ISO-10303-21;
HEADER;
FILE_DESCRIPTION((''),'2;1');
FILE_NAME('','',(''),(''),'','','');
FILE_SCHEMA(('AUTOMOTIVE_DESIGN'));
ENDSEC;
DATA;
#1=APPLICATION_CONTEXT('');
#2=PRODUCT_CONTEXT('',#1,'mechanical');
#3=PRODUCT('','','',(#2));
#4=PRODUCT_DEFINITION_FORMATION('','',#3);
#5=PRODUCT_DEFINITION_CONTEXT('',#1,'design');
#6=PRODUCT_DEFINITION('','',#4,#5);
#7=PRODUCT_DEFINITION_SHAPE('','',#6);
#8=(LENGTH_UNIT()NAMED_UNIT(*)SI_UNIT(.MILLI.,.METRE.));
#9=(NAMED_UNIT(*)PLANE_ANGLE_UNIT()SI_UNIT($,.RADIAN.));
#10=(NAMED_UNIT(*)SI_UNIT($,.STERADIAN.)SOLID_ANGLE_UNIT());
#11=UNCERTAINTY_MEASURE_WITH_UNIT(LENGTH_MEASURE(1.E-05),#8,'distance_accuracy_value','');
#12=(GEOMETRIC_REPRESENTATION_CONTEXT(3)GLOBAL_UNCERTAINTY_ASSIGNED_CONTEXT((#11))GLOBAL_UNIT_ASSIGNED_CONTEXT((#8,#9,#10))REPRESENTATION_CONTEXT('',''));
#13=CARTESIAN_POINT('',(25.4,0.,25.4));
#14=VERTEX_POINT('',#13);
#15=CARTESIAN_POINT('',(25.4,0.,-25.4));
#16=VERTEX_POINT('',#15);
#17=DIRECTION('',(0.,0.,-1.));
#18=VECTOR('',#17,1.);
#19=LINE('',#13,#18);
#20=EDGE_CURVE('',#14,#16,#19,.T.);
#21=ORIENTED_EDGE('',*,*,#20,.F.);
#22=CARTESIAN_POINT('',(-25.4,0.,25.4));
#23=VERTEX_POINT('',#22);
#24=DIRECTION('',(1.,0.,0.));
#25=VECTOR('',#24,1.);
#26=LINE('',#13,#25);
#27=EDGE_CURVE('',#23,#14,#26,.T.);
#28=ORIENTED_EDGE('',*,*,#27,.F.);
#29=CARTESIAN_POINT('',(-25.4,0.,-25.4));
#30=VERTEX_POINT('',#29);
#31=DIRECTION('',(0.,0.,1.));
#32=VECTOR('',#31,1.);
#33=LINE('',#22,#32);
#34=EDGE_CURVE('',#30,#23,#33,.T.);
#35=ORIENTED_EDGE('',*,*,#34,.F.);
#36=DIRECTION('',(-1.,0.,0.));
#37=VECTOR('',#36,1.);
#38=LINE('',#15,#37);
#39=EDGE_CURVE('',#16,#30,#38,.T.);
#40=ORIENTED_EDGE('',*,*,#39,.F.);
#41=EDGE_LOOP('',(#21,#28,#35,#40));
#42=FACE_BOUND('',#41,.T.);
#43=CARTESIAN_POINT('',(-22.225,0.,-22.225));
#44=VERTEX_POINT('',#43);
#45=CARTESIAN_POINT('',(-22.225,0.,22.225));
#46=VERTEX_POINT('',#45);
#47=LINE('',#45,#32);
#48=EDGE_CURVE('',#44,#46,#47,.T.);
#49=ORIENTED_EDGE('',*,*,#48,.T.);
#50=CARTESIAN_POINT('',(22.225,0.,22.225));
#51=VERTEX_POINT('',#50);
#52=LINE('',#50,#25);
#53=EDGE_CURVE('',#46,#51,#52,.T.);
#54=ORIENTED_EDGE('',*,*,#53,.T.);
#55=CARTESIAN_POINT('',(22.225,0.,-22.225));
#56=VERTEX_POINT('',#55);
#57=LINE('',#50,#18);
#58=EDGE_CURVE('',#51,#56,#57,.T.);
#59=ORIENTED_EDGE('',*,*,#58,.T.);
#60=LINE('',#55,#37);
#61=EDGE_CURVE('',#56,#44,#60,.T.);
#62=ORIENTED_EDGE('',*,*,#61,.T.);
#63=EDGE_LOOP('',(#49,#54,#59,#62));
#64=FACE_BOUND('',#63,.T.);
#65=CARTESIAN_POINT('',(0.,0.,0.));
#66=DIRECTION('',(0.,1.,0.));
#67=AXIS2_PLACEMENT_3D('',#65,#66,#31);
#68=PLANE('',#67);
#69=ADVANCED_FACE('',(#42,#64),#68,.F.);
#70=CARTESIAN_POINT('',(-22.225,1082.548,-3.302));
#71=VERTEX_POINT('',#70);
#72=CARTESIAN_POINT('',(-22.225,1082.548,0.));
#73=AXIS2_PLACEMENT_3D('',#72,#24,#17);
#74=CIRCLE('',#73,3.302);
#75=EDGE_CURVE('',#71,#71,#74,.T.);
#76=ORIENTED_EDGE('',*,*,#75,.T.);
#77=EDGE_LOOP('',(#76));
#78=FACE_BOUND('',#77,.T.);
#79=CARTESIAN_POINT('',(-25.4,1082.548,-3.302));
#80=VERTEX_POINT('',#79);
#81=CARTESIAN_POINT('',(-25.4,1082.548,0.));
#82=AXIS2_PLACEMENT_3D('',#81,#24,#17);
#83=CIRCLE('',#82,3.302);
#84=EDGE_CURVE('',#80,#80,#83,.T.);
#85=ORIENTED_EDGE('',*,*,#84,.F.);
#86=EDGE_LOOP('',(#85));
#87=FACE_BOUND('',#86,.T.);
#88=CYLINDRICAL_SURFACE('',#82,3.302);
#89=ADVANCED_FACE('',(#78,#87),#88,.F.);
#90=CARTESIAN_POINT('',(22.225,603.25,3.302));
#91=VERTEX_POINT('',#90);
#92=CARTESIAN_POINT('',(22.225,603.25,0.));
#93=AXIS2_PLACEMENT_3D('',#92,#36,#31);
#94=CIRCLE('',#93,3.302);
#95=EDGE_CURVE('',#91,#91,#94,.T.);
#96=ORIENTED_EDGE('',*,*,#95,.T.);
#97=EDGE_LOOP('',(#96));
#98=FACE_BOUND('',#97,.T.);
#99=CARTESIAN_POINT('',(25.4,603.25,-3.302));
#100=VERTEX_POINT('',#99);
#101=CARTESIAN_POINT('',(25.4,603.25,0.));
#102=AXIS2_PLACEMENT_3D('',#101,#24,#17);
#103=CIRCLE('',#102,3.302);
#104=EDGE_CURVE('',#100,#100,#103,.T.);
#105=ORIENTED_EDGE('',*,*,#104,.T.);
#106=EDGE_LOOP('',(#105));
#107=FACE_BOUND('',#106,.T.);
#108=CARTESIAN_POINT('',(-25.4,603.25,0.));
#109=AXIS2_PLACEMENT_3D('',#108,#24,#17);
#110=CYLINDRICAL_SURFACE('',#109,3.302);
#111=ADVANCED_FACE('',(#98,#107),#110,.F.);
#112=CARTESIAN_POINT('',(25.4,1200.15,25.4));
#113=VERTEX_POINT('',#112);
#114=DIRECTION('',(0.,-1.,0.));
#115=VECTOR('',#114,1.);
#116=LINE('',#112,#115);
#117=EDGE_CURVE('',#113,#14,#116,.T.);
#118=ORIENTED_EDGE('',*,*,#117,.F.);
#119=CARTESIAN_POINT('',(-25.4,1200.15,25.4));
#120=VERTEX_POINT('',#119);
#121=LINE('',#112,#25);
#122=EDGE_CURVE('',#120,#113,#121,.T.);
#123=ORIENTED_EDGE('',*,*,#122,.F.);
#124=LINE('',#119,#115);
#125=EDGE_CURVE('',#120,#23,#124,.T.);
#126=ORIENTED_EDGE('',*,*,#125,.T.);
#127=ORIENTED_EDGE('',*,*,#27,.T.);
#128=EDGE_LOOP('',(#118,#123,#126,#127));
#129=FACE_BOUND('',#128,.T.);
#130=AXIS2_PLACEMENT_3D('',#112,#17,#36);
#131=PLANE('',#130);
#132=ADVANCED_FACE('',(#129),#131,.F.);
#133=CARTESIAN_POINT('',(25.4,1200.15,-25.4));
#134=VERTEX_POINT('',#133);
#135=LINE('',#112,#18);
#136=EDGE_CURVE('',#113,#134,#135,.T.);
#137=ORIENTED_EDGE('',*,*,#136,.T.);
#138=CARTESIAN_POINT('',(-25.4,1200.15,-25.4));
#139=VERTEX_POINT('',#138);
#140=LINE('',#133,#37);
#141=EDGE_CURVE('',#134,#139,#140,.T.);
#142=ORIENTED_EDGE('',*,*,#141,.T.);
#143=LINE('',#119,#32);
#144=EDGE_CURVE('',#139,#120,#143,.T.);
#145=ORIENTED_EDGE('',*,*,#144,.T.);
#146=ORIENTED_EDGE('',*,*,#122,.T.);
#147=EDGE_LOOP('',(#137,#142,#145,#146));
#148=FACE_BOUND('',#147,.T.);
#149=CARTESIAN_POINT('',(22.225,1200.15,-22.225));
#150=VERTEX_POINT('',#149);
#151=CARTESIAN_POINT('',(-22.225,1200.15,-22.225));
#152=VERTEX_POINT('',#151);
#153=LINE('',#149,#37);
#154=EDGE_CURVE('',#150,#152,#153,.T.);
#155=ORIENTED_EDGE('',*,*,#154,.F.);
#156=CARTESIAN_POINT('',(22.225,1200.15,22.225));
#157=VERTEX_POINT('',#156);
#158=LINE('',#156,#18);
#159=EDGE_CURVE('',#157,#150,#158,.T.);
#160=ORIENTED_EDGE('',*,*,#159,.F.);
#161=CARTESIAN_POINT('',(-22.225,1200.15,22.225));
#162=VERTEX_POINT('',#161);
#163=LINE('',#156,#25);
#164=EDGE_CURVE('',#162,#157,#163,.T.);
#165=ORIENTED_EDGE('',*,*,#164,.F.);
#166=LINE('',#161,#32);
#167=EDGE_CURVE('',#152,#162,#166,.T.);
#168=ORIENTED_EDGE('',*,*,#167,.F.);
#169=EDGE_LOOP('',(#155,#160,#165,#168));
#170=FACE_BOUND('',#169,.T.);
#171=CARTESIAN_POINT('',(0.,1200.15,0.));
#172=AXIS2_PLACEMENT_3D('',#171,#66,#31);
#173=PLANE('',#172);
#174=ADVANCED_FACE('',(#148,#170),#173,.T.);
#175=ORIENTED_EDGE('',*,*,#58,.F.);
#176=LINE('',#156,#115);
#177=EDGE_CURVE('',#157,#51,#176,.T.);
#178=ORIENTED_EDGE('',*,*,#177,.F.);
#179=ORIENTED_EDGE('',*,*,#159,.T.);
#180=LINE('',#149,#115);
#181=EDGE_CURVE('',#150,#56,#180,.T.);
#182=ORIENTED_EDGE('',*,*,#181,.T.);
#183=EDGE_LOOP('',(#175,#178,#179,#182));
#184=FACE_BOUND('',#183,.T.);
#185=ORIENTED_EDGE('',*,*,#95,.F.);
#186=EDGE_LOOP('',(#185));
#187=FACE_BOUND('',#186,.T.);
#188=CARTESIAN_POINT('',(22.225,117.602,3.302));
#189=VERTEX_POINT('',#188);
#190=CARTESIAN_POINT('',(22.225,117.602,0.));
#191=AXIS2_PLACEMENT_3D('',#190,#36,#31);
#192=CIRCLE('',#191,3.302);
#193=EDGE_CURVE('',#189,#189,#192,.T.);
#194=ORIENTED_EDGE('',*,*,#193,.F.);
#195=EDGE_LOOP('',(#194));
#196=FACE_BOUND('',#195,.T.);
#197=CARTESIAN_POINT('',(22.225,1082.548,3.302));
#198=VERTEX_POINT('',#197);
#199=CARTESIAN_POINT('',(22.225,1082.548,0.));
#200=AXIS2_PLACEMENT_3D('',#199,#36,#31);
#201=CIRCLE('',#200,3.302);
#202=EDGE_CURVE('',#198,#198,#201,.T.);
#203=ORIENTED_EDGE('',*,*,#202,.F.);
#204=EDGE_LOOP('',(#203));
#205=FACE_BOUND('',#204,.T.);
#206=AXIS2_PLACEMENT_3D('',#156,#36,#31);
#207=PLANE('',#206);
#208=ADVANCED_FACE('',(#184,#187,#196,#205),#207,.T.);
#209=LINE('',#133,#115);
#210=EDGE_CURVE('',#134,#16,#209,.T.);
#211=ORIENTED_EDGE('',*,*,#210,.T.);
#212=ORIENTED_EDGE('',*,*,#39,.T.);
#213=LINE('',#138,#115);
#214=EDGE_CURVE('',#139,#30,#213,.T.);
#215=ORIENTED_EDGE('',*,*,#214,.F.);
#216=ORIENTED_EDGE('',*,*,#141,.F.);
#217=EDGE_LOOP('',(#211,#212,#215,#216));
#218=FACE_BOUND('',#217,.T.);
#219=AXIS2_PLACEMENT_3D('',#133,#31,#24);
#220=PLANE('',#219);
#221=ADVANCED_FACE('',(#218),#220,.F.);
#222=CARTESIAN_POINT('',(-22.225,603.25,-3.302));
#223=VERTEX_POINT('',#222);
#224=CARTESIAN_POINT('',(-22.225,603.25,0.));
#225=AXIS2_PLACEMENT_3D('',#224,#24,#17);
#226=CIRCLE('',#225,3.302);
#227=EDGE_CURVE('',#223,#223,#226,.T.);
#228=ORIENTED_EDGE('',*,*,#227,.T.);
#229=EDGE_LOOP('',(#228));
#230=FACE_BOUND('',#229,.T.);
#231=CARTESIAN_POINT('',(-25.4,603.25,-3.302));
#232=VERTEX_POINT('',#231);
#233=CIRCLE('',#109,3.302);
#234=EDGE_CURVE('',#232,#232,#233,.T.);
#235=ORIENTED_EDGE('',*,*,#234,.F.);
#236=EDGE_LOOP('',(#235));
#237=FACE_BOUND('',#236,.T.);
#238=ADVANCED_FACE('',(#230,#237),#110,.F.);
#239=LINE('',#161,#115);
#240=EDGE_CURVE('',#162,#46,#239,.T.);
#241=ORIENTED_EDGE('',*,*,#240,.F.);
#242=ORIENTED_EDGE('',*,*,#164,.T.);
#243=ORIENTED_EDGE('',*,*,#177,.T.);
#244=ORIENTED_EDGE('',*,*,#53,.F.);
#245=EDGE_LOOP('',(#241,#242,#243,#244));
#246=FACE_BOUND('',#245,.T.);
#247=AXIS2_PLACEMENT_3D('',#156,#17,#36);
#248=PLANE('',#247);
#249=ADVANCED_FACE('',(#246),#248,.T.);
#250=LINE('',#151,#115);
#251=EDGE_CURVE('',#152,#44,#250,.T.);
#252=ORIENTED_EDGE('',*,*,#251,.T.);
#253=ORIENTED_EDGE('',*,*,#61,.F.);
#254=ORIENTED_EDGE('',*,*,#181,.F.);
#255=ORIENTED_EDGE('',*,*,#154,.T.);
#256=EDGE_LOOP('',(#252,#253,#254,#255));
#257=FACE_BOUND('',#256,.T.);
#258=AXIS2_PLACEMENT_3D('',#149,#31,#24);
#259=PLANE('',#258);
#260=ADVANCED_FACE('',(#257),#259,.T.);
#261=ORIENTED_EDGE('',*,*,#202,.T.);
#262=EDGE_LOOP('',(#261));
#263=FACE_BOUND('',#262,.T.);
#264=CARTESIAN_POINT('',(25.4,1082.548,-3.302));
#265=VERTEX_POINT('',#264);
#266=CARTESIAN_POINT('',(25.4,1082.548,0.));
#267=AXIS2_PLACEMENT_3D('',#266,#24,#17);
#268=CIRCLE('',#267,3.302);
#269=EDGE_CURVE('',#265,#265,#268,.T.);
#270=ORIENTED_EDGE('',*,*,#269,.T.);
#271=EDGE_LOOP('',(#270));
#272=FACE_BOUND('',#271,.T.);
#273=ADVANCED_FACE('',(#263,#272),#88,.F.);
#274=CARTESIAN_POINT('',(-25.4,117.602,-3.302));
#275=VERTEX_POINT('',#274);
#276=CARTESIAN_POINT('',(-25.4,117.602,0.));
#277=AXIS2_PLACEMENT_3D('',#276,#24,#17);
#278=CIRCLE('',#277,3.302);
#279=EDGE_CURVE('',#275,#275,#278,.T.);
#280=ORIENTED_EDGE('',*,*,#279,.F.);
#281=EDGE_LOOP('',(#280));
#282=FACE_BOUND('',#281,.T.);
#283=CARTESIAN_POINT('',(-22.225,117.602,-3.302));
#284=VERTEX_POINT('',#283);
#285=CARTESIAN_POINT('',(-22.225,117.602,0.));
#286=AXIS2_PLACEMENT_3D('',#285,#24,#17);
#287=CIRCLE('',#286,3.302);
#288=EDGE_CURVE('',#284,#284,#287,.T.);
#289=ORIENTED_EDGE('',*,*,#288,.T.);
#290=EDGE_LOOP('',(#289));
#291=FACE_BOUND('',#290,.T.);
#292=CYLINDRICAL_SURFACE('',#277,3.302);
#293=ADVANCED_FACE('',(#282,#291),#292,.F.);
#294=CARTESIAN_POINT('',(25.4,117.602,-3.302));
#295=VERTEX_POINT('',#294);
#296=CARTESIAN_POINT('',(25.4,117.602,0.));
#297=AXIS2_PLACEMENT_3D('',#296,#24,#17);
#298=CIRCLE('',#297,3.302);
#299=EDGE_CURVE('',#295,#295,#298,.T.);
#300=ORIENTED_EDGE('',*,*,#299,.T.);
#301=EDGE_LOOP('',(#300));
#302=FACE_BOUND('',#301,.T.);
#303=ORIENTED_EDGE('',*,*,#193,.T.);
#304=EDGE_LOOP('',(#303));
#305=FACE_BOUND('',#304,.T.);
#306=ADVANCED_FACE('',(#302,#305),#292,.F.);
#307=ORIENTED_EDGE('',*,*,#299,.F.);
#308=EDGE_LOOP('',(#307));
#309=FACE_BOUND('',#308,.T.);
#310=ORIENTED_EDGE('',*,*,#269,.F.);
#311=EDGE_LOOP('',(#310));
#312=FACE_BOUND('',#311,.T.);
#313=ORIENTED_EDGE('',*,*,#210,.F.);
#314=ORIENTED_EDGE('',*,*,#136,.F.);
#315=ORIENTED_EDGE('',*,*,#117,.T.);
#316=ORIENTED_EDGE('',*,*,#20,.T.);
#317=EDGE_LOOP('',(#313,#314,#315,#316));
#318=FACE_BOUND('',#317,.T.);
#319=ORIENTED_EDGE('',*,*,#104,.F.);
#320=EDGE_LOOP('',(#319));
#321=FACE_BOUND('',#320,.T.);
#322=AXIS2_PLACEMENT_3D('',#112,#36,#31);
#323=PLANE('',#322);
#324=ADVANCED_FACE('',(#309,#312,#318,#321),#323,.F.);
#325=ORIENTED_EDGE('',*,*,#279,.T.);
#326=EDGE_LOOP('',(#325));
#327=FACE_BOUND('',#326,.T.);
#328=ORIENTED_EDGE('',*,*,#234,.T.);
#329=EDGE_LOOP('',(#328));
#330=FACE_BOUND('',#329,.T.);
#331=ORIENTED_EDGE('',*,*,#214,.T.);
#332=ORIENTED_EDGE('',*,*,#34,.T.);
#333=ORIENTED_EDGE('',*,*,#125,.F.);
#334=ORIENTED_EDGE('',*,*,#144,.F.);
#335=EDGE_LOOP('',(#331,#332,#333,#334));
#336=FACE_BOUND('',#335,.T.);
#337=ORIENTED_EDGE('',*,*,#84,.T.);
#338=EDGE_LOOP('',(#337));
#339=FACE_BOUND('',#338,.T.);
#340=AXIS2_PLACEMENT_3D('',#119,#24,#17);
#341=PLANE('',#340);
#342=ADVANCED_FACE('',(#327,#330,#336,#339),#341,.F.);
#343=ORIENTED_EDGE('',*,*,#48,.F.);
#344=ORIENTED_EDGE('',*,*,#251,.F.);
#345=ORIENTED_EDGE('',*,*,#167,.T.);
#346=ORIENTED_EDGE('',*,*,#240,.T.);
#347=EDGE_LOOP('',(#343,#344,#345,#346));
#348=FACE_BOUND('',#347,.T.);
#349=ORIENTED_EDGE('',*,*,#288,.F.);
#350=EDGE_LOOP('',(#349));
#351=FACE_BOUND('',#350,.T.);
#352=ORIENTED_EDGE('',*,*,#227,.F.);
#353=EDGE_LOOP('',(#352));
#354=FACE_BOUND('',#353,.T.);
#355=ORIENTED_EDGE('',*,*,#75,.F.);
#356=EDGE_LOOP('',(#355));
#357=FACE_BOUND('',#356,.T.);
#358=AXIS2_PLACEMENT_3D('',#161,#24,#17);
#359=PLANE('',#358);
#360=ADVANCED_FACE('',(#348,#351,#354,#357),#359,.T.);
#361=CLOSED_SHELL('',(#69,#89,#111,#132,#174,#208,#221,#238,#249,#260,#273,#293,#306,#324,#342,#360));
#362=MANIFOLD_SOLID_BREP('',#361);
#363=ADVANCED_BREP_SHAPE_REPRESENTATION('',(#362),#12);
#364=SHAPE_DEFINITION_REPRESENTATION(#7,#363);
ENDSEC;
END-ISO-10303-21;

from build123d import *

# Parameters (mm, degrees)
SKETCH1_W           = 50.8
SKETCH1_H           = 50.8
SKETCH1_W_2         = 44.45
SKETCH1_H_2         = 44.45
BOSS_EXTRUDE1_DEPTH = 1200.15
SKETCH2_R           = 3.302
CUT_EXTRUDE1_DEPTH  = 50.8


with BuildPart() as part:
    # Sketch1 → Boss-Extrude1 (new body)
    with BuildSketch(Plane(origin=(0, 0, 0), x_dir=(1, 0, 0), z_dir=(0, 1, 0))):
        Rectangle(SKETCH1_W, SKETCH1_H)
        Rectangle(SKETCH1_W_2, SKETCH1_H_2, mode=Mode.SUBTRACT)
    extrude(amount=BOSS_EXTRUDE1_DEPTH)

    # Sketch2 → Cut-Extrude1 (cut)
    with BuildSketch(Plane(origin=(25.4, 0, 0), x_dir=(0, 0, -1), z_dir=(1, 0, 0))):
        with Locations((0, 603.25)):
            Circle(SKETCH2_R)
        with Locations((0, 117.602)):
            Circle(SKETCH2_R)
        with Locations((0, 1082.548)):
            Circle(SKETCH2_R)
    extrude(amount=-CUT_EXTRUDE1_DEPTH, mode=Mode.SUBTRACT)


solid = part.part
